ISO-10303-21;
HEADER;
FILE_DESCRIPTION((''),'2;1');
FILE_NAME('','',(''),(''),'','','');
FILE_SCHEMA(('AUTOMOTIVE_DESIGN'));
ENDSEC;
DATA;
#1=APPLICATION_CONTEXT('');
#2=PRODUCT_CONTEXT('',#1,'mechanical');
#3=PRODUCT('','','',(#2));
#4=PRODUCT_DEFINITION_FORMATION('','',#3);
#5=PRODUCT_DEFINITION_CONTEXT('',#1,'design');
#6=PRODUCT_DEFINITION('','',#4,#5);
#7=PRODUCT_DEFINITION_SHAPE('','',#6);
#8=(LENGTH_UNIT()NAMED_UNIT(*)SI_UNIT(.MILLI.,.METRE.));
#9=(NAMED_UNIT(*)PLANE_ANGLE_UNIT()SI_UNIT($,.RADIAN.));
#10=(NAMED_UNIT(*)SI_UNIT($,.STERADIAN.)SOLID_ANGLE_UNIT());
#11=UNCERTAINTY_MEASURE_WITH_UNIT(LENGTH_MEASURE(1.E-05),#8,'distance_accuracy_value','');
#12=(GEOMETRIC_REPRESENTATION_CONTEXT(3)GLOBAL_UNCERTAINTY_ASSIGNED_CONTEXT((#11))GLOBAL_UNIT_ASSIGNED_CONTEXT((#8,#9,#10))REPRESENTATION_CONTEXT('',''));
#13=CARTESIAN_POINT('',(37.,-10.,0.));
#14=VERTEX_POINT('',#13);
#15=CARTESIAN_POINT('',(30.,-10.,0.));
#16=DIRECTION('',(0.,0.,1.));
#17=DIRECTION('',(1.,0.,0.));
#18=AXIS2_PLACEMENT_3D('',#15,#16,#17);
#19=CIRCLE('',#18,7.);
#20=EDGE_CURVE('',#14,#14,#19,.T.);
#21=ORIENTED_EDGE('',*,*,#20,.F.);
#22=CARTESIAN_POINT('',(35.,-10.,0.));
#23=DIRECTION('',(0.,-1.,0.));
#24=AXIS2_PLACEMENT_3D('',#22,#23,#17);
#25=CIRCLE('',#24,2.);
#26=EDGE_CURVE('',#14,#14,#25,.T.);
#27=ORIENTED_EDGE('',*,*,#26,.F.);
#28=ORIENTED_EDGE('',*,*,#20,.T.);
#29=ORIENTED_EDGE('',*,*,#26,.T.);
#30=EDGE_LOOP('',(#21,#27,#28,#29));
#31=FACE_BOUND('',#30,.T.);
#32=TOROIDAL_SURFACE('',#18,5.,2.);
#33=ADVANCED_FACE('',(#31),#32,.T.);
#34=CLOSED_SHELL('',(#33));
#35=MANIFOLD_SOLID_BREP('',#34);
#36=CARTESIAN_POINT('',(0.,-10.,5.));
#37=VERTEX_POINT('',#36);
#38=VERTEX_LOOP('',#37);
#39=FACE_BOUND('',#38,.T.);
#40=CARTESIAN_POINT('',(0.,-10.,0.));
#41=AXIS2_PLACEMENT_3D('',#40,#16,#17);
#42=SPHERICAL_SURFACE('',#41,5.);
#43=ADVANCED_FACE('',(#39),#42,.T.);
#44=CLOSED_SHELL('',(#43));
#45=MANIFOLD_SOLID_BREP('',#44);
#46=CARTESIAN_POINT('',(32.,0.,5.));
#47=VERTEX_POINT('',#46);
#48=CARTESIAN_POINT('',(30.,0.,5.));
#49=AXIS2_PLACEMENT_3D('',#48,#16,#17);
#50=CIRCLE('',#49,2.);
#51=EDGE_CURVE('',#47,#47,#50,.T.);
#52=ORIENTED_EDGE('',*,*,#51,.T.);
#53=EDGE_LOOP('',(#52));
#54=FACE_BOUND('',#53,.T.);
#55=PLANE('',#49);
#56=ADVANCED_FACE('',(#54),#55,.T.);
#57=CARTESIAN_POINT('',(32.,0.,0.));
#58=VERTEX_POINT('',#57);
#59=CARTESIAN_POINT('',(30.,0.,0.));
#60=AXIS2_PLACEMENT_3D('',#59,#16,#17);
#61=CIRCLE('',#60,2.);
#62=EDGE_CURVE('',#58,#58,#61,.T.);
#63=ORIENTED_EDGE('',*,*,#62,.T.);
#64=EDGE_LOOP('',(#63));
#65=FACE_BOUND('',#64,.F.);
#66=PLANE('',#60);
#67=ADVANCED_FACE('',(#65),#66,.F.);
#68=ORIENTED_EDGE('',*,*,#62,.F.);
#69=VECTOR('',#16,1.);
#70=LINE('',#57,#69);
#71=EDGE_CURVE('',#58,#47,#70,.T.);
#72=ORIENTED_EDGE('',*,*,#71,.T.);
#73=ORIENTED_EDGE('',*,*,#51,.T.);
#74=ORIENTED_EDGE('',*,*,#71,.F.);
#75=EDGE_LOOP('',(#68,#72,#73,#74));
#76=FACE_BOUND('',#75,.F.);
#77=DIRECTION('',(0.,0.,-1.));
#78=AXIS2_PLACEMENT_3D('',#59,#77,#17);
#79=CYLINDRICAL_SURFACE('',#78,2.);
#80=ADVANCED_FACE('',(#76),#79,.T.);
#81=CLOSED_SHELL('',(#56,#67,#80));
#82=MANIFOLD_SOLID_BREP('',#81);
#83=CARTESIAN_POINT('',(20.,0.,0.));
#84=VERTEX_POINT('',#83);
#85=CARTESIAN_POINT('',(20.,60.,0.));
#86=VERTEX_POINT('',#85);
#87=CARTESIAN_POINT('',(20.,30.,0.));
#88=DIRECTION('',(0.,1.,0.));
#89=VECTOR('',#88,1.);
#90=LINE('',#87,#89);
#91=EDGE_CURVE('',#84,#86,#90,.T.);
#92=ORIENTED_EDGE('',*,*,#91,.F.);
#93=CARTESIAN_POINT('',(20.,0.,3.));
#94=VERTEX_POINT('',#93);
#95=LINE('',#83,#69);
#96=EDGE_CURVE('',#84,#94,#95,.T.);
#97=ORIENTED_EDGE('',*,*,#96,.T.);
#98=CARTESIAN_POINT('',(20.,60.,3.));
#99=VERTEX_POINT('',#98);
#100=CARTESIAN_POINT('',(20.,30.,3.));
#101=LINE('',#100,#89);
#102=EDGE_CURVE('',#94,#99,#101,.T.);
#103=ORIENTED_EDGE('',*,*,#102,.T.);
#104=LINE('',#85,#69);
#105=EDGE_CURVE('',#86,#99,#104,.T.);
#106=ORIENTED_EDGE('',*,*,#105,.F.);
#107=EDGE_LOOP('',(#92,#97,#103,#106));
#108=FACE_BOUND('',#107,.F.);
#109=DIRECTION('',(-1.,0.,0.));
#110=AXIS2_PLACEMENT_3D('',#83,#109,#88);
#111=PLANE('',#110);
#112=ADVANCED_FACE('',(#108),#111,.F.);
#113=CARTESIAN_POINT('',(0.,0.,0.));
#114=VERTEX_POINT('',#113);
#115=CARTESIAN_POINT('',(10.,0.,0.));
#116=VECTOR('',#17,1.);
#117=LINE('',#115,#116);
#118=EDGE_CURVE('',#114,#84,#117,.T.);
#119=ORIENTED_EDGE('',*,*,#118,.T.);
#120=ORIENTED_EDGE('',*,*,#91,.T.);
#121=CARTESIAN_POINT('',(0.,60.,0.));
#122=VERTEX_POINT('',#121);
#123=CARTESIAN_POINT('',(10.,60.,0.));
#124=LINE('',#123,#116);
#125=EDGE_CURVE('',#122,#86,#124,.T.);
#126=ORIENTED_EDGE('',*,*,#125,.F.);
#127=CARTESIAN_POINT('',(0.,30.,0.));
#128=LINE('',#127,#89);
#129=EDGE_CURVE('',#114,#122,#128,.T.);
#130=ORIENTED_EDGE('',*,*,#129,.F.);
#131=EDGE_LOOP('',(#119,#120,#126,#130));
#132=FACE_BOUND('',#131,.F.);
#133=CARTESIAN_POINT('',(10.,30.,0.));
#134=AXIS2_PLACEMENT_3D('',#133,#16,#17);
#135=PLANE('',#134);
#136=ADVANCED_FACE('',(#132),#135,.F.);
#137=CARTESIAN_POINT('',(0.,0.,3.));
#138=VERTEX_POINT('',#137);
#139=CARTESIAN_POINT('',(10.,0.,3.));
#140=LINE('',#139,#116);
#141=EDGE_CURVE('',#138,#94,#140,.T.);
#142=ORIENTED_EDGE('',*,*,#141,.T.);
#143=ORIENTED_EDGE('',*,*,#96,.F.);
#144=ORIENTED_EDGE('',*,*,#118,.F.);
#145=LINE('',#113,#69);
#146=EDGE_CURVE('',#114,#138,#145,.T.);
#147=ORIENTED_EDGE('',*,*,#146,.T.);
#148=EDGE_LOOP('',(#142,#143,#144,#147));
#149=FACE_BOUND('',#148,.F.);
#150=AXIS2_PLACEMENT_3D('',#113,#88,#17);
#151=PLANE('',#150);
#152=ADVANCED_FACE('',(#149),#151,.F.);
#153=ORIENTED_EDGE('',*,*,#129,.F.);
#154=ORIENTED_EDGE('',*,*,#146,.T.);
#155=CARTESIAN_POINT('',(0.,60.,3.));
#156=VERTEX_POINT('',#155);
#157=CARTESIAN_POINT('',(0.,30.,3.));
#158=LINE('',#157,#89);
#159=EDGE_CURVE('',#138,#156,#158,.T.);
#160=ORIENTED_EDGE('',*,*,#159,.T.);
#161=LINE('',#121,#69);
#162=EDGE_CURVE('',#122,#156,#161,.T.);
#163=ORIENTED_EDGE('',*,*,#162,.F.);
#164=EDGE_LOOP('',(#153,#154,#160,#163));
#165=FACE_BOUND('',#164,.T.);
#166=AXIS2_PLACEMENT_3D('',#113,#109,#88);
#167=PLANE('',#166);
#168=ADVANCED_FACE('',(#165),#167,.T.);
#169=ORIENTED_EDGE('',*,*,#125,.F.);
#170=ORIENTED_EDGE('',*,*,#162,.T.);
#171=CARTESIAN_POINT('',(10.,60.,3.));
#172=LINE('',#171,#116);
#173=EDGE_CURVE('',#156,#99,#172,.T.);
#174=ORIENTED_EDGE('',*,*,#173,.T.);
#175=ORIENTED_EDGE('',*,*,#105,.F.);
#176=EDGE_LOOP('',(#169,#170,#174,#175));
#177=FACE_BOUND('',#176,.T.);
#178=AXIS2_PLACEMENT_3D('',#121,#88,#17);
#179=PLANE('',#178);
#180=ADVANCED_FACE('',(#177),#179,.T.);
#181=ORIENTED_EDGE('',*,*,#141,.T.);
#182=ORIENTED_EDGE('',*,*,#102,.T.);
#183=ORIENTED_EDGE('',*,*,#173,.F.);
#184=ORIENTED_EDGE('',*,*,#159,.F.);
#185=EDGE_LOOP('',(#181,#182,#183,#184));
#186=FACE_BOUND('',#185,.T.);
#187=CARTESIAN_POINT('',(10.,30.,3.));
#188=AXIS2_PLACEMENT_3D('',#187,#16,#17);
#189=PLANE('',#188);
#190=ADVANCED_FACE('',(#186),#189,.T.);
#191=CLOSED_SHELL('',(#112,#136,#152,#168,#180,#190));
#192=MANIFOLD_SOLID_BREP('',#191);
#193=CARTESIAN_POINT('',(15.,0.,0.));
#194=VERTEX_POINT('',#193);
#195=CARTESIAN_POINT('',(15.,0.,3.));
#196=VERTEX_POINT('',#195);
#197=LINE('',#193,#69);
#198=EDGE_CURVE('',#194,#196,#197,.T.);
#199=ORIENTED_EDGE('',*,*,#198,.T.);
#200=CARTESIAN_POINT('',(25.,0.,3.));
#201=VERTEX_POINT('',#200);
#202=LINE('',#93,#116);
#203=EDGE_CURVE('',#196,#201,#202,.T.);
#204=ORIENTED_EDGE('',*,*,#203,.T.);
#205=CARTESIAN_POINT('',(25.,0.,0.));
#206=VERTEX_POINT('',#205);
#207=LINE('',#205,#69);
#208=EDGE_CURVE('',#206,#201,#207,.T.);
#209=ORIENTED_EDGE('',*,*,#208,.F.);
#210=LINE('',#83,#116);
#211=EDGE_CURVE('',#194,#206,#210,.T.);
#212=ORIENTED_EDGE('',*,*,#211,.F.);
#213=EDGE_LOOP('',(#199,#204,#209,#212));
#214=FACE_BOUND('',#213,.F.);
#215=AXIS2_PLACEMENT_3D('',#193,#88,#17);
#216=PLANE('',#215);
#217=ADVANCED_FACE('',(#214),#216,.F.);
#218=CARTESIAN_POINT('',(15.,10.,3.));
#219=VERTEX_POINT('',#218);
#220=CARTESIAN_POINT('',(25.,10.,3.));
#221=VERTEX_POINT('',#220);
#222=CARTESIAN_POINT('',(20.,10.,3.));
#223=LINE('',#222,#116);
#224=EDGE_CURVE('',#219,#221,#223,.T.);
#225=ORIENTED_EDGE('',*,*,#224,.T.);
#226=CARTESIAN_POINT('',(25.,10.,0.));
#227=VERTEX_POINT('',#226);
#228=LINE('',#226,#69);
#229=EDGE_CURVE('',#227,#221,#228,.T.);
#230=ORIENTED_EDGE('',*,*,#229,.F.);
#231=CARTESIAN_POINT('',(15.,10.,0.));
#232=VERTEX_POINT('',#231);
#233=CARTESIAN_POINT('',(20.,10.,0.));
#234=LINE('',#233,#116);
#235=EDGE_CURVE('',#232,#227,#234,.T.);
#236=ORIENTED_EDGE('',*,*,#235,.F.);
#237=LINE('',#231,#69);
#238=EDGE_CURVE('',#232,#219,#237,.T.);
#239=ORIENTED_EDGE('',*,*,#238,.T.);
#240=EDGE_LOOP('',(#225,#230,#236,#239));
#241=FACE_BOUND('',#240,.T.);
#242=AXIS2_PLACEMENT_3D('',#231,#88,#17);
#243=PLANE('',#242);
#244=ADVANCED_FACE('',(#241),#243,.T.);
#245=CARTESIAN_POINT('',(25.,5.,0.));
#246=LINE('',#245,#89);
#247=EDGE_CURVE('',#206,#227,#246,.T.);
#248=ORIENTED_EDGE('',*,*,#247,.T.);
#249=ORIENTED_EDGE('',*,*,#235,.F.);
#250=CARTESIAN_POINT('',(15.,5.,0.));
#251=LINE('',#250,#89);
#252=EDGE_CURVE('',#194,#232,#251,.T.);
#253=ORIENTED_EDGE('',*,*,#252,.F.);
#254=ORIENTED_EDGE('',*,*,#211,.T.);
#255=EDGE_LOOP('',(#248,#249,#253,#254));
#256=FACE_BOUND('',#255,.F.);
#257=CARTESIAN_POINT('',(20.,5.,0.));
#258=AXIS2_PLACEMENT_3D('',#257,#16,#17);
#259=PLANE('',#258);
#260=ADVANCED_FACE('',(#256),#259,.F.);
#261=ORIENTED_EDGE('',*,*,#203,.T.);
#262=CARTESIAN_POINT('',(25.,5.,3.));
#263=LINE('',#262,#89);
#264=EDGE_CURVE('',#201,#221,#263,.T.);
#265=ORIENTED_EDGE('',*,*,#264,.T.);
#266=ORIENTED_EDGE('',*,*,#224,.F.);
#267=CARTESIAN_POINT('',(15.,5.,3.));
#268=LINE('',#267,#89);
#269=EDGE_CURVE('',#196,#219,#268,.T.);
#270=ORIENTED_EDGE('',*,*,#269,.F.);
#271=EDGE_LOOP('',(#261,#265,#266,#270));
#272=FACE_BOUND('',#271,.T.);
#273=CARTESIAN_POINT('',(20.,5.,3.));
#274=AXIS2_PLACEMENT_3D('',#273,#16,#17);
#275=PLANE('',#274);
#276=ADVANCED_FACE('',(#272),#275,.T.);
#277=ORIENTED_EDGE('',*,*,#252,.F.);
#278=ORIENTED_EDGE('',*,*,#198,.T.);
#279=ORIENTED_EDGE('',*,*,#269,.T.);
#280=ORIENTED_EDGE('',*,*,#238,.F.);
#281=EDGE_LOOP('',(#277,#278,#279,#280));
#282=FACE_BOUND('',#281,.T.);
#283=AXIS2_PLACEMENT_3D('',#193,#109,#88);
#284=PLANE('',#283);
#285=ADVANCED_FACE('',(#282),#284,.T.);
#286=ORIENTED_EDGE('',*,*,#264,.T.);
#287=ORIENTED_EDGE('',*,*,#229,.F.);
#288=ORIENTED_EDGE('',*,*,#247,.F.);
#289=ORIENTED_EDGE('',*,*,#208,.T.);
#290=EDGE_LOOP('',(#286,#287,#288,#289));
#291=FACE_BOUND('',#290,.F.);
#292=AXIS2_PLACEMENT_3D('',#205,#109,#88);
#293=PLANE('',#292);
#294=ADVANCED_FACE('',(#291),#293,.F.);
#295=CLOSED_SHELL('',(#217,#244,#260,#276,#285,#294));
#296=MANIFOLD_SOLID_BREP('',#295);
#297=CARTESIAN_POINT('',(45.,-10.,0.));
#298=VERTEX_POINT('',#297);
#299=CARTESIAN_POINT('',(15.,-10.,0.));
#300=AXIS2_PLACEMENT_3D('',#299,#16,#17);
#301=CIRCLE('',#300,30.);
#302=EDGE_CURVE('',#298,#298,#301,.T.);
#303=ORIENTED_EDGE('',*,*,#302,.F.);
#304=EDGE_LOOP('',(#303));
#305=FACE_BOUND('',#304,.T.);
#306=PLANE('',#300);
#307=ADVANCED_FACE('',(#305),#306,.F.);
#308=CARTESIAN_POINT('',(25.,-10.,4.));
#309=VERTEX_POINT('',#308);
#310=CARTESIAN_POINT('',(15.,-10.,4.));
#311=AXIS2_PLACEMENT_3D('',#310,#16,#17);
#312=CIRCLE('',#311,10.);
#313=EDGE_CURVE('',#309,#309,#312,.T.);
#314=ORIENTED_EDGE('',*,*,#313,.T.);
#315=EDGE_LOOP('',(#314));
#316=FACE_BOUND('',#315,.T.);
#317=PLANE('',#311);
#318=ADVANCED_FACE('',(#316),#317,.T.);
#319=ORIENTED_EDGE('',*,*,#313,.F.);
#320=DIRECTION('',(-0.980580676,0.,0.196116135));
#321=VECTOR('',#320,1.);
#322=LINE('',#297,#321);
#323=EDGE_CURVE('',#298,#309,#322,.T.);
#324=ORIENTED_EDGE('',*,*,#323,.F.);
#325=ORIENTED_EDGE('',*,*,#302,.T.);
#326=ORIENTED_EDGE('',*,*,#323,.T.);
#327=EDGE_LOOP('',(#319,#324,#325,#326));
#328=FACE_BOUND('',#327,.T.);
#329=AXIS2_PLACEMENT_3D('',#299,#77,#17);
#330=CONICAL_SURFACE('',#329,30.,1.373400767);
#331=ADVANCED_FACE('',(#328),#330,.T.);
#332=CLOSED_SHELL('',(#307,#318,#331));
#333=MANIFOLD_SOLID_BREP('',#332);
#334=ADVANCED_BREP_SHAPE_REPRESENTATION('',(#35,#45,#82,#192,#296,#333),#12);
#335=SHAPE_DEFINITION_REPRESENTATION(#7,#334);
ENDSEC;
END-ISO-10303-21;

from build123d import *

# Parameters (mm, degrees)
BOX_W          = 10
BOX_H          = 10
BOX_DEPTH      = 3
BOX001_W       = 20
BOX001_H       = 60
BOX001_DEPTH   = 3
CYLINDER_R     = 2
CYLINDER_DEPTH = 5
TORUS_R        = 2


with BuildPart() as cube:
    # Box → Box (new body)
    with BuildSketch(Plane(origin=(15, 0, 0), x_dir=(1, 0, 0), z_dir=(0, 0, 1))):
        with Locations((5, 5)):
            Rectangle(BOX_W, BOX_H)
    extrude(amount=BOX_DEPTH)


with BuildPart() as cube001:
    # Box001 → Box001 (new body)
    with BuildSketch(Plane.XY):
        with Locations((10, 30)):
            Rectangle(BOX001_W, BOX001_H)
    extrude(amount=BOX001_DEPTH)


with BuildPart() as cylinder:
    # Cylinder → Cylinder (new body)
    with BuildSketch(Plane(origin=(30, 0, 0), x_dir=(1, 0, 0), z_dir=(0, 0, 1))):
        Circle(CYLINDER_R)
    extrude(amount=CYLINDER_DEPTH)


with BuildPart() as sphere:
    # Sphere → Sphere (revolve)
    with BuildSketch(Plane.XZ.offset(10)):
        with BuildLine():
            ThreePointArc((0, -5), (5, 0), (0, 5))
            Line((0, 5), (0, -5))
        make_face()
    revolve(axis=Axis((0, -10, 0), (0, 0, 1)))


with BuildPart() as cone:
    # Cone → Cone (revolve)
    with BuildSketch(Plane(origin=(15, -10, 0), x_dir=(1, 0, 0), z_dir=(0, -1, 0))):
        Polygon((0, 0), (30, 0), (10, 4), (0, 4), align=None)
    revolve(axis=Axis((15, -10, 0), (0, 0, 1)))


with BuildPart() as torus:
    # Torus → Torus (revolve)
    with BuildSketch(Plane(origin=(30, -10, 0), x_dir=(1, 0, 0), z_dir=(0, -1, 0))):
        with Locations((5, 0)):
            Circle(TORUS_R)
    revolve(axis=Axis((30, -10, 0), (0, 0, 1)))


solid = Compound([cube.part, cube001.part, cylinder.part, sphere.part, cone.part, torus.part])
